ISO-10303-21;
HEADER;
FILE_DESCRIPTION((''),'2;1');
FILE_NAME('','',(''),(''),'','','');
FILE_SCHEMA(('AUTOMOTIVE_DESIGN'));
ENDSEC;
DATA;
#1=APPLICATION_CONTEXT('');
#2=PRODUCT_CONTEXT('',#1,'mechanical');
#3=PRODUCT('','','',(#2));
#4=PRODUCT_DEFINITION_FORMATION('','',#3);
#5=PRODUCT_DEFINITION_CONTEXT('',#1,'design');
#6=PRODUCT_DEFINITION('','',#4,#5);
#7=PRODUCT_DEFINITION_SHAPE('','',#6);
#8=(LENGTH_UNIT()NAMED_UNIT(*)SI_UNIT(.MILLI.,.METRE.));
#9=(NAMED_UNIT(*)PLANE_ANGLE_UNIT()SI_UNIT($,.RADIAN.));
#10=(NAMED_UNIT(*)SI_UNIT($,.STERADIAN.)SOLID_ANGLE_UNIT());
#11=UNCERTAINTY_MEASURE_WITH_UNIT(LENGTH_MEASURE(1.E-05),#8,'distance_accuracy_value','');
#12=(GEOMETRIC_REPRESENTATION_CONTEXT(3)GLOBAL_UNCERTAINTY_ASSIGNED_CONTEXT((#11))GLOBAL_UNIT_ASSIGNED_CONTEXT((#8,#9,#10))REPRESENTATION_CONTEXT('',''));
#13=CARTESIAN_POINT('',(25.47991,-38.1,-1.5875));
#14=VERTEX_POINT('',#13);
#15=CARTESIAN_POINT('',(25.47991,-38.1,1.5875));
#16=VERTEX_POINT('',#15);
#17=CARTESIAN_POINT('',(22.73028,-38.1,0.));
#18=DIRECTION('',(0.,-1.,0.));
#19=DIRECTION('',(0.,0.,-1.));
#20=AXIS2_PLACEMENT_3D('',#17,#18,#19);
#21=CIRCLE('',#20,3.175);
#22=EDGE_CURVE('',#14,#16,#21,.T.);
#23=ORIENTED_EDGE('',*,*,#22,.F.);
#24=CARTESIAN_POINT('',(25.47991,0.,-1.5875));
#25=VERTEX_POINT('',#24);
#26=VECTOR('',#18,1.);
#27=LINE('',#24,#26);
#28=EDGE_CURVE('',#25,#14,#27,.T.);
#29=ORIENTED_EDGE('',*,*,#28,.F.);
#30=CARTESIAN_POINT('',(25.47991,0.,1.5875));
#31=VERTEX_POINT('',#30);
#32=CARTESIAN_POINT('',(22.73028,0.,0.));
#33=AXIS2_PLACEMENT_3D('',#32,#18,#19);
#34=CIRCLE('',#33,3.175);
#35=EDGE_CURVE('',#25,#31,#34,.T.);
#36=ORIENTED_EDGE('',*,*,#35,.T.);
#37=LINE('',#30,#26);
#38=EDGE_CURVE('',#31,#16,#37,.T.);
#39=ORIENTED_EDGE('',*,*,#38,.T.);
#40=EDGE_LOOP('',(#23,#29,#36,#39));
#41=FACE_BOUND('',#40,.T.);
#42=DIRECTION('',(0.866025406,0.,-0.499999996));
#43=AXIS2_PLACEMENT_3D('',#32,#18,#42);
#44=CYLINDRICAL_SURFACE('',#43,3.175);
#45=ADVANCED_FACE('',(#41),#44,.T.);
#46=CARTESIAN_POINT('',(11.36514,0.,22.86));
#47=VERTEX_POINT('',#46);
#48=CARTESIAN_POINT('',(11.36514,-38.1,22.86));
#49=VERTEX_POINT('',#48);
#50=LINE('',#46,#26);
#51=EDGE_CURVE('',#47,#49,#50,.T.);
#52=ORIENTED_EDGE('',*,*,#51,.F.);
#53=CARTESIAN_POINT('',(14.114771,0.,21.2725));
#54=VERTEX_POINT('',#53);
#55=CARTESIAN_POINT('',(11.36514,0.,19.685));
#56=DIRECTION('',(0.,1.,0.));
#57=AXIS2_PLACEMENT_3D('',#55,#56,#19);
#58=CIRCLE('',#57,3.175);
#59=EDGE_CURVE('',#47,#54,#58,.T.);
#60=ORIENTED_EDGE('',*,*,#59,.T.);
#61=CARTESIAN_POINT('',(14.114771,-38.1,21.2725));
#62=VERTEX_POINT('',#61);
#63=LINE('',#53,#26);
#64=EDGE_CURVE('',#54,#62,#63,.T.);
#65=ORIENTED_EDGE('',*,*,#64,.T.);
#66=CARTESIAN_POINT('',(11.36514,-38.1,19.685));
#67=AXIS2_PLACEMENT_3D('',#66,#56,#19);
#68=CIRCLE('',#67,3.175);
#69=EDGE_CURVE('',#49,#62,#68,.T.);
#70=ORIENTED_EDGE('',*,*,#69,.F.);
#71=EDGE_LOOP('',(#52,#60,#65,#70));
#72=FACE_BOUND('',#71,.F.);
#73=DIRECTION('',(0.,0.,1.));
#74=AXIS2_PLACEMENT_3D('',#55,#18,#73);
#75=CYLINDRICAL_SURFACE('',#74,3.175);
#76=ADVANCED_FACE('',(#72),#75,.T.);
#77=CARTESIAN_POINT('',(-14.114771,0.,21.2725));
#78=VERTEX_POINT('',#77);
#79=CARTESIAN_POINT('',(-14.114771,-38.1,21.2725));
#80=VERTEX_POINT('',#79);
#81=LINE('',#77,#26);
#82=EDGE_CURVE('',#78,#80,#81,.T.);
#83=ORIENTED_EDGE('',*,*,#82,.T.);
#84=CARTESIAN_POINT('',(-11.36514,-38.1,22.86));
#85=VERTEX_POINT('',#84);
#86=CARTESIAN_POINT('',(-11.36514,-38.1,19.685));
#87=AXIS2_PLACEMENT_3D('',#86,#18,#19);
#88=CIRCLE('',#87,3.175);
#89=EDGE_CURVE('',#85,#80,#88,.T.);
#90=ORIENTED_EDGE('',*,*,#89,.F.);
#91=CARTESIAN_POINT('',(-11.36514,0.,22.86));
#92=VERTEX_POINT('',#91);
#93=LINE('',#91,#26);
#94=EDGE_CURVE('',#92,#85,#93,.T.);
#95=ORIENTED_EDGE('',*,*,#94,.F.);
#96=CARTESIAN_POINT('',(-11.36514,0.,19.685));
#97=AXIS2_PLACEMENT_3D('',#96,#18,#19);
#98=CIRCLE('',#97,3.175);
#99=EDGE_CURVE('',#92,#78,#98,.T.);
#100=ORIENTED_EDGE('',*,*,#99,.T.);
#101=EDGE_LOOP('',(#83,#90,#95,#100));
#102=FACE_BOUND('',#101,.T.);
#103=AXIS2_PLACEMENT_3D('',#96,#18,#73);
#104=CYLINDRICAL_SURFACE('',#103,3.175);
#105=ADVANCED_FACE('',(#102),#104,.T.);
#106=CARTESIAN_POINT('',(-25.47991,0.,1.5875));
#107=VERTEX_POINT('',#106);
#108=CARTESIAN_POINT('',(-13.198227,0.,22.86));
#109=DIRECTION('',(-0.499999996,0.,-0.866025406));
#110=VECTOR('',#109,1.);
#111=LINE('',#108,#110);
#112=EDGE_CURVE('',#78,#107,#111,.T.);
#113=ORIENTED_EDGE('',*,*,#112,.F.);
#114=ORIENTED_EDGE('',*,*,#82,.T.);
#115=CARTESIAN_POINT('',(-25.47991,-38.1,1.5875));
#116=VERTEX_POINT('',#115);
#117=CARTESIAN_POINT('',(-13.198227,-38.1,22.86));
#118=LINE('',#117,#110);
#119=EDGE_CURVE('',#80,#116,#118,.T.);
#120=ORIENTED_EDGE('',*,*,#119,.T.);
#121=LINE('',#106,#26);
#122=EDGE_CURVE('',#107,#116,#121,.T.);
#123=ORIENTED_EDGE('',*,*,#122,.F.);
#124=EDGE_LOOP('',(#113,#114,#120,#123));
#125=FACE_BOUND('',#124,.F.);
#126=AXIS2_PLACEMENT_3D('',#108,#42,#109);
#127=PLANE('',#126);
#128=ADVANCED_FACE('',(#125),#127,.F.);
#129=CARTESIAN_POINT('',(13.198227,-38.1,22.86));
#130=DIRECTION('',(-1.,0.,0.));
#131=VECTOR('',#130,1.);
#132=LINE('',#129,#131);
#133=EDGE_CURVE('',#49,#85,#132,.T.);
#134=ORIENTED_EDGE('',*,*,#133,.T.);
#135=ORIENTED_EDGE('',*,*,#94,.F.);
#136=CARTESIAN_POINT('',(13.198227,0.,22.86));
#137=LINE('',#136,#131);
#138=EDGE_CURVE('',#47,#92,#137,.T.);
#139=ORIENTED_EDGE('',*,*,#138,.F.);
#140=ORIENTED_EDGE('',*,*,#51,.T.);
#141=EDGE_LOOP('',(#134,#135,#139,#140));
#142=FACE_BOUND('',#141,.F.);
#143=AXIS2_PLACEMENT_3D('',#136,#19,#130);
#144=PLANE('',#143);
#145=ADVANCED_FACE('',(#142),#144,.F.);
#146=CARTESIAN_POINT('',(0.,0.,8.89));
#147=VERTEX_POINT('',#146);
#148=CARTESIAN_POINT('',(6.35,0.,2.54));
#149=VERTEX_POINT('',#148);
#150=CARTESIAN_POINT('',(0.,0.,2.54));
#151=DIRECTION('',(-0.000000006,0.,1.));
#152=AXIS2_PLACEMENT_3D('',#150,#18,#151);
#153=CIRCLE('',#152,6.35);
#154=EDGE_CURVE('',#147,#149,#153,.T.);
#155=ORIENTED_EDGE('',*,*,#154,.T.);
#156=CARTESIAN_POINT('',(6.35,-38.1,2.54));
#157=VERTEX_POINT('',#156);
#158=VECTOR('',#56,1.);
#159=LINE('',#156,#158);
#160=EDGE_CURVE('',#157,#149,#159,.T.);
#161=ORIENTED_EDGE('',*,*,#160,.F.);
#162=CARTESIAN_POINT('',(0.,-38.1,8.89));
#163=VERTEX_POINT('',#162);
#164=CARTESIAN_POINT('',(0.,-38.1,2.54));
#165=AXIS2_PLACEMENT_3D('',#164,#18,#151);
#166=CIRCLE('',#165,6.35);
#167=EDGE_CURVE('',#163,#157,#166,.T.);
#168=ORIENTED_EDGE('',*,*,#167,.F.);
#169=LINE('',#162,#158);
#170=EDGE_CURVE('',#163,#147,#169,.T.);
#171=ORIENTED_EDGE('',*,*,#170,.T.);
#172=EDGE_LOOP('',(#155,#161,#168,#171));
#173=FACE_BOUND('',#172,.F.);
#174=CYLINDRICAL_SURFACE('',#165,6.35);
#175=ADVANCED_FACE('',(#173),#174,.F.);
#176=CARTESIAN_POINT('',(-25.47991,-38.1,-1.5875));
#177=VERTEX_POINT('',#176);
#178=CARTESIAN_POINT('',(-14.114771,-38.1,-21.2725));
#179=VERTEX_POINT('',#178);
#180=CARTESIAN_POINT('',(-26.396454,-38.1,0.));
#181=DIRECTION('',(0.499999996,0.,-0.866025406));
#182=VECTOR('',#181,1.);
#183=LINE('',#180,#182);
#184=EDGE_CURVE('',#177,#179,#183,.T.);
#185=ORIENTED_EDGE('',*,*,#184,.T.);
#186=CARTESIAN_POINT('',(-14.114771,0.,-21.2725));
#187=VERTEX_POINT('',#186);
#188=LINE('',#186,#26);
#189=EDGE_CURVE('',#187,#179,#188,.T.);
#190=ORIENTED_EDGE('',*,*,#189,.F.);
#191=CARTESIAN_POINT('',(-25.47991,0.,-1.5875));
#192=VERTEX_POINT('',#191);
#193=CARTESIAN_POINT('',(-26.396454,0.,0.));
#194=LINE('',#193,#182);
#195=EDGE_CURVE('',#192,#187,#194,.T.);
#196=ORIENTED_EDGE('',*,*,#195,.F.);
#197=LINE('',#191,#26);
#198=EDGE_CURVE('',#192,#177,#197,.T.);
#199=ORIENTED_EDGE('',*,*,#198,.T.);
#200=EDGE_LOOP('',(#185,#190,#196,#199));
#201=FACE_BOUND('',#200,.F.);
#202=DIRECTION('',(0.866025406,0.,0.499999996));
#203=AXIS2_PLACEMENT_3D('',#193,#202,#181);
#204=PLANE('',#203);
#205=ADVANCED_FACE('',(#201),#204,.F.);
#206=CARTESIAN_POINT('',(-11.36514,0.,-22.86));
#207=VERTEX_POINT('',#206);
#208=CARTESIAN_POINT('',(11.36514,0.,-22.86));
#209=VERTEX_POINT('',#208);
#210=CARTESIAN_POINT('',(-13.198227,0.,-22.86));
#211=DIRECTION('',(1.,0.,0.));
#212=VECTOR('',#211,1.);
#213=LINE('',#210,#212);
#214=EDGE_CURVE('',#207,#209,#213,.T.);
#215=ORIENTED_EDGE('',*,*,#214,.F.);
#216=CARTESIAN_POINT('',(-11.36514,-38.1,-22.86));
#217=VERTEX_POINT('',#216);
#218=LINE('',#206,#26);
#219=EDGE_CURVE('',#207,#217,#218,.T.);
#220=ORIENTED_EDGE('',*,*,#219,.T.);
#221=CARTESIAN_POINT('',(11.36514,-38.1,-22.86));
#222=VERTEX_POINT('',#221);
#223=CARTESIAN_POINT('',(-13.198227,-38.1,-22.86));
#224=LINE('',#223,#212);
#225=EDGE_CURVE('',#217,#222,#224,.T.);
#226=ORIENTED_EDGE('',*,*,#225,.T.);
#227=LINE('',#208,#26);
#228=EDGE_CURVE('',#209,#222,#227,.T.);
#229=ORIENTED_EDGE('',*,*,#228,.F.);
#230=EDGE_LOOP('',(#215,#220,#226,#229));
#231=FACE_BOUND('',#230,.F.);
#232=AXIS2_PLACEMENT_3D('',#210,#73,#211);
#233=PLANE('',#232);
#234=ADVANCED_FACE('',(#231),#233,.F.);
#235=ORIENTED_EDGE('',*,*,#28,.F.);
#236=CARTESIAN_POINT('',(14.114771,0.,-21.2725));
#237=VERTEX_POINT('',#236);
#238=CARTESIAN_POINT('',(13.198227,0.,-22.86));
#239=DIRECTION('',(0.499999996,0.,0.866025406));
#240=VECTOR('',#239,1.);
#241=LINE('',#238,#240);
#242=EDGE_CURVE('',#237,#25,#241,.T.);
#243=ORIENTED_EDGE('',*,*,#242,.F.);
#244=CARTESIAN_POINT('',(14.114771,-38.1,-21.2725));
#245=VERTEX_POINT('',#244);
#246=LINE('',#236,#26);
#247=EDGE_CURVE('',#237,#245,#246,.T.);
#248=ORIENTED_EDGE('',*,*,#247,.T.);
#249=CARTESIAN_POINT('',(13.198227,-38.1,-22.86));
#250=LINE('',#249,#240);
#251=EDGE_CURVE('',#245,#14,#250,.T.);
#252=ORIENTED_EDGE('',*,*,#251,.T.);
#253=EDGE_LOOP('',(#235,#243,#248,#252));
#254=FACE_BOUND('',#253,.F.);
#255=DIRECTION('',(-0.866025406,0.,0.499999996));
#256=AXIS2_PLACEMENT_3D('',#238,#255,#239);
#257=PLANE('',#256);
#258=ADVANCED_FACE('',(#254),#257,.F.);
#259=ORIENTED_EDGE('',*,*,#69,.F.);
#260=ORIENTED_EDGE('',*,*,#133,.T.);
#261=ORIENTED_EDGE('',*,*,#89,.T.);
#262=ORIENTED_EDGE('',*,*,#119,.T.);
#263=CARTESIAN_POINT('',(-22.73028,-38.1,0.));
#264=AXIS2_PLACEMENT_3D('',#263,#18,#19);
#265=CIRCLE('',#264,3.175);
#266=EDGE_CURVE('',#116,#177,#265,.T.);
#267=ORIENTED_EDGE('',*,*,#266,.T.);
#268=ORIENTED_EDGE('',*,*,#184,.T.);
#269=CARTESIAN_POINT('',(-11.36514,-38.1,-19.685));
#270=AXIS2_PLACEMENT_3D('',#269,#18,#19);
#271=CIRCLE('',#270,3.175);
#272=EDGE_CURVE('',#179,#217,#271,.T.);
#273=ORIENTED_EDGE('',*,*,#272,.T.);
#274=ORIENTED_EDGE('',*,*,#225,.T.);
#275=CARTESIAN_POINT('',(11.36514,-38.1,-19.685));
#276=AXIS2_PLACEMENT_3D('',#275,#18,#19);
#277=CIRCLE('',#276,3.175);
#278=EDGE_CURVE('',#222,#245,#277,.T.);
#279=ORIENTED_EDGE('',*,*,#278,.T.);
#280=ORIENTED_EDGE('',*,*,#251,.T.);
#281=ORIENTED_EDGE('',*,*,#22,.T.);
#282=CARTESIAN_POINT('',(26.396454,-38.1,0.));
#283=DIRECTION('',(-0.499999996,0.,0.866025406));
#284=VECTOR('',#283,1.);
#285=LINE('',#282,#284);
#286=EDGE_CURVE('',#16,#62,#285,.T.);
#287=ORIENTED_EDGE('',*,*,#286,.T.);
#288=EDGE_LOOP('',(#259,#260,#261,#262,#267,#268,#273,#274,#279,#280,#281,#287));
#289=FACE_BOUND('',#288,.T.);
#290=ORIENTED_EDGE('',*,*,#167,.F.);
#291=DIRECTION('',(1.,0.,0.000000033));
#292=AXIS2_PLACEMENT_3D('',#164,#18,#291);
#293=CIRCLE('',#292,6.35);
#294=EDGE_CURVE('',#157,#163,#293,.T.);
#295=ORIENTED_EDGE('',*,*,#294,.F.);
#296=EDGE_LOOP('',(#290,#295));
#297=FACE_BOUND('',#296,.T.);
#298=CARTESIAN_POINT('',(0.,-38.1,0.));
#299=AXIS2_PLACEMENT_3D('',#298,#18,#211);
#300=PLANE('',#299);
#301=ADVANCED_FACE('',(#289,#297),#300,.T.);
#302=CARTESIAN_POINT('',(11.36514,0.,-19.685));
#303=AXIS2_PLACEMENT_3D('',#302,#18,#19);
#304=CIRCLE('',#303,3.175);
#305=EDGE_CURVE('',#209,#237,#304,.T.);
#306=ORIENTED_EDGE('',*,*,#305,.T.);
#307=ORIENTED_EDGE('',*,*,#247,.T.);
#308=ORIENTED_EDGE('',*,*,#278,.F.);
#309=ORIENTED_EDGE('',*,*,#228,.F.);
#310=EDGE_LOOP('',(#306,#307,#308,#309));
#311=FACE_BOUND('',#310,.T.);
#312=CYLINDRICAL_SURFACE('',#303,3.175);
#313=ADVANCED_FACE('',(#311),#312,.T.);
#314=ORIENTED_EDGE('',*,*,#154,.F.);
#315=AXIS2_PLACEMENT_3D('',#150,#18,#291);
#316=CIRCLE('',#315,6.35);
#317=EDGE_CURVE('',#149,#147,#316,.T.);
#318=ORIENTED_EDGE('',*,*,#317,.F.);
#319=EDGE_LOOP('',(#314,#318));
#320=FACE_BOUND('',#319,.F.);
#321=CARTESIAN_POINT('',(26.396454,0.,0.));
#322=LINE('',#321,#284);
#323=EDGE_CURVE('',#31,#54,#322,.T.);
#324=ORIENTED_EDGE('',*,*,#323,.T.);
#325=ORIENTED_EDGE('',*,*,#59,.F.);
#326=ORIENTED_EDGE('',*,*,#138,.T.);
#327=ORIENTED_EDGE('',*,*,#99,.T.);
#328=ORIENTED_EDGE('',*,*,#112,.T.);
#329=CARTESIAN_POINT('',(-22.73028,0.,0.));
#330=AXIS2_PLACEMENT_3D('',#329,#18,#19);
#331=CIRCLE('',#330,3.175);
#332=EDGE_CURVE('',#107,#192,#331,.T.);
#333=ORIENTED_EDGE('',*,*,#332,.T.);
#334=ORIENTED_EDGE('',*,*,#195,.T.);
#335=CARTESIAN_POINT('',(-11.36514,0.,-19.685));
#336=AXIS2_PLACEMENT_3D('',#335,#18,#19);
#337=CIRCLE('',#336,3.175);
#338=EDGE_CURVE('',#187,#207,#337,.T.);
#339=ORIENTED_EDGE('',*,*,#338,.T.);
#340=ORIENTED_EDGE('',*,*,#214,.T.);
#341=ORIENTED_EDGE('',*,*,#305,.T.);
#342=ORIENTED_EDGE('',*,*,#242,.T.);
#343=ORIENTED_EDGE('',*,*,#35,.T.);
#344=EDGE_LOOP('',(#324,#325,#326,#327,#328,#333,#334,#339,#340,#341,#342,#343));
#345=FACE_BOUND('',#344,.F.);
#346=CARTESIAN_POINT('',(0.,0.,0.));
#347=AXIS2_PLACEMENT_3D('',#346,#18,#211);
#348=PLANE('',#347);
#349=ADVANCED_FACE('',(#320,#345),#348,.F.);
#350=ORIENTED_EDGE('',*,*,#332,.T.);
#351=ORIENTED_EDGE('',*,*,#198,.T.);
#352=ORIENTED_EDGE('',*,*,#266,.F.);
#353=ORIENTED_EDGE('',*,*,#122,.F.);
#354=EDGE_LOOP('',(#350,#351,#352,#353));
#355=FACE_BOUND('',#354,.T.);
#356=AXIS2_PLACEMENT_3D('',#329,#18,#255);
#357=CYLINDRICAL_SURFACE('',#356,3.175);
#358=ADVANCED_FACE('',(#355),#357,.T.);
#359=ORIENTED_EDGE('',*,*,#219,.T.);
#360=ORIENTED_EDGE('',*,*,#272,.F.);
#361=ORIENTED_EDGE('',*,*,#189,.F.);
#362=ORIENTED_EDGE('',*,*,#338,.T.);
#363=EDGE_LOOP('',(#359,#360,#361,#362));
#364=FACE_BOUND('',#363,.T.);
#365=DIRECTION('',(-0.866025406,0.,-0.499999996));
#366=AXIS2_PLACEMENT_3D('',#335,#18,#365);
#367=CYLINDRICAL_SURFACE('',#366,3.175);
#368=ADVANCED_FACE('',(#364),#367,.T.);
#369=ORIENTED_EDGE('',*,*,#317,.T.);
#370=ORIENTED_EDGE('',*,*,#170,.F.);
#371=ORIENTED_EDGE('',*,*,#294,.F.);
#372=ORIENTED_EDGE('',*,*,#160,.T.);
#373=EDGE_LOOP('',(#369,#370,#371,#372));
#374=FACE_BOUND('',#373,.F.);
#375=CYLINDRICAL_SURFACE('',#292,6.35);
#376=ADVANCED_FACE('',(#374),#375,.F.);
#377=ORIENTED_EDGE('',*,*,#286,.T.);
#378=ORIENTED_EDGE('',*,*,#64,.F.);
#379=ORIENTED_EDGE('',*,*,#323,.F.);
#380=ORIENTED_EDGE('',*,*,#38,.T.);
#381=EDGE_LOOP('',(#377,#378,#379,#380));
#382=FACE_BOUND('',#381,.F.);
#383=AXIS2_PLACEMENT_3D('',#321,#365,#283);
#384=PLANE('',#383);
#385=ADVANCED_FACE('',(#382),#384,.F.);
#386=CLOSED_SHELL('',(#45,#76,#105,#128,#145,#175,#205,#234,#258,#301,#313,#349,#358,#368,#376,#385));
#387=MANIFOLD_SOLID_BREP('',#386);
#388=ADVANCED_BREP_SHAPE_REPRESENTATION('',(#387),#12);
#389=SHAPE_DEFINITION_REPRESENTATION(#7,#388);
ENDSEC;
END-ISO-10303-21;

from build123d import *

# Parameters (mm, degrees)
F1_DEPTH = 38.1
F2_R     = 3.175
F4_DEPTH = 38.1


with BuildPart() as f1:
    # F0 (on Front) → F1 (new body)
    with BuildSketch(Plane.XZ):
        Polygon((13.198227, 22.86), (-13.198227, 22.86), (-26.396454, 0), (-13.198227, -22.86), (13.198227, -22.86), (26.396454, 0), align=None)
    extrude(amount=F1_DEPTH)

    # F2
    f2_edges = [f1.edges().sort_by_distance(p)[0] for p in [
        (13.198227, -19.05, 22.86),
        (26.396454, -19.05, 0),
        (13.198227, -19.05, -22.86),
        (-13.198227, -19.05, -22.86),
        (-26.396454, -19.05, 0),
        (-13.198227, -19.05, 22.86),
    ]]
    fillet(f2_edges, radius=F2_R)

    # F3 (on face) → F4 (cut, through all)
    with BuildSketch(Plane.XZ.offset(38.1)):
        with BuildLine():
            ThreePointArc((0, 8.89), (-4.490128, -1.950128), (6.35, 2.54))
            ThreePointArc((6.35, 2.54), (4.490128, 7.030128), (0, 8.89))
        make_face()
    extrude(amount=-F4_DEPTH, mode=Mode.SUBTRACT)


solid = f1.part
